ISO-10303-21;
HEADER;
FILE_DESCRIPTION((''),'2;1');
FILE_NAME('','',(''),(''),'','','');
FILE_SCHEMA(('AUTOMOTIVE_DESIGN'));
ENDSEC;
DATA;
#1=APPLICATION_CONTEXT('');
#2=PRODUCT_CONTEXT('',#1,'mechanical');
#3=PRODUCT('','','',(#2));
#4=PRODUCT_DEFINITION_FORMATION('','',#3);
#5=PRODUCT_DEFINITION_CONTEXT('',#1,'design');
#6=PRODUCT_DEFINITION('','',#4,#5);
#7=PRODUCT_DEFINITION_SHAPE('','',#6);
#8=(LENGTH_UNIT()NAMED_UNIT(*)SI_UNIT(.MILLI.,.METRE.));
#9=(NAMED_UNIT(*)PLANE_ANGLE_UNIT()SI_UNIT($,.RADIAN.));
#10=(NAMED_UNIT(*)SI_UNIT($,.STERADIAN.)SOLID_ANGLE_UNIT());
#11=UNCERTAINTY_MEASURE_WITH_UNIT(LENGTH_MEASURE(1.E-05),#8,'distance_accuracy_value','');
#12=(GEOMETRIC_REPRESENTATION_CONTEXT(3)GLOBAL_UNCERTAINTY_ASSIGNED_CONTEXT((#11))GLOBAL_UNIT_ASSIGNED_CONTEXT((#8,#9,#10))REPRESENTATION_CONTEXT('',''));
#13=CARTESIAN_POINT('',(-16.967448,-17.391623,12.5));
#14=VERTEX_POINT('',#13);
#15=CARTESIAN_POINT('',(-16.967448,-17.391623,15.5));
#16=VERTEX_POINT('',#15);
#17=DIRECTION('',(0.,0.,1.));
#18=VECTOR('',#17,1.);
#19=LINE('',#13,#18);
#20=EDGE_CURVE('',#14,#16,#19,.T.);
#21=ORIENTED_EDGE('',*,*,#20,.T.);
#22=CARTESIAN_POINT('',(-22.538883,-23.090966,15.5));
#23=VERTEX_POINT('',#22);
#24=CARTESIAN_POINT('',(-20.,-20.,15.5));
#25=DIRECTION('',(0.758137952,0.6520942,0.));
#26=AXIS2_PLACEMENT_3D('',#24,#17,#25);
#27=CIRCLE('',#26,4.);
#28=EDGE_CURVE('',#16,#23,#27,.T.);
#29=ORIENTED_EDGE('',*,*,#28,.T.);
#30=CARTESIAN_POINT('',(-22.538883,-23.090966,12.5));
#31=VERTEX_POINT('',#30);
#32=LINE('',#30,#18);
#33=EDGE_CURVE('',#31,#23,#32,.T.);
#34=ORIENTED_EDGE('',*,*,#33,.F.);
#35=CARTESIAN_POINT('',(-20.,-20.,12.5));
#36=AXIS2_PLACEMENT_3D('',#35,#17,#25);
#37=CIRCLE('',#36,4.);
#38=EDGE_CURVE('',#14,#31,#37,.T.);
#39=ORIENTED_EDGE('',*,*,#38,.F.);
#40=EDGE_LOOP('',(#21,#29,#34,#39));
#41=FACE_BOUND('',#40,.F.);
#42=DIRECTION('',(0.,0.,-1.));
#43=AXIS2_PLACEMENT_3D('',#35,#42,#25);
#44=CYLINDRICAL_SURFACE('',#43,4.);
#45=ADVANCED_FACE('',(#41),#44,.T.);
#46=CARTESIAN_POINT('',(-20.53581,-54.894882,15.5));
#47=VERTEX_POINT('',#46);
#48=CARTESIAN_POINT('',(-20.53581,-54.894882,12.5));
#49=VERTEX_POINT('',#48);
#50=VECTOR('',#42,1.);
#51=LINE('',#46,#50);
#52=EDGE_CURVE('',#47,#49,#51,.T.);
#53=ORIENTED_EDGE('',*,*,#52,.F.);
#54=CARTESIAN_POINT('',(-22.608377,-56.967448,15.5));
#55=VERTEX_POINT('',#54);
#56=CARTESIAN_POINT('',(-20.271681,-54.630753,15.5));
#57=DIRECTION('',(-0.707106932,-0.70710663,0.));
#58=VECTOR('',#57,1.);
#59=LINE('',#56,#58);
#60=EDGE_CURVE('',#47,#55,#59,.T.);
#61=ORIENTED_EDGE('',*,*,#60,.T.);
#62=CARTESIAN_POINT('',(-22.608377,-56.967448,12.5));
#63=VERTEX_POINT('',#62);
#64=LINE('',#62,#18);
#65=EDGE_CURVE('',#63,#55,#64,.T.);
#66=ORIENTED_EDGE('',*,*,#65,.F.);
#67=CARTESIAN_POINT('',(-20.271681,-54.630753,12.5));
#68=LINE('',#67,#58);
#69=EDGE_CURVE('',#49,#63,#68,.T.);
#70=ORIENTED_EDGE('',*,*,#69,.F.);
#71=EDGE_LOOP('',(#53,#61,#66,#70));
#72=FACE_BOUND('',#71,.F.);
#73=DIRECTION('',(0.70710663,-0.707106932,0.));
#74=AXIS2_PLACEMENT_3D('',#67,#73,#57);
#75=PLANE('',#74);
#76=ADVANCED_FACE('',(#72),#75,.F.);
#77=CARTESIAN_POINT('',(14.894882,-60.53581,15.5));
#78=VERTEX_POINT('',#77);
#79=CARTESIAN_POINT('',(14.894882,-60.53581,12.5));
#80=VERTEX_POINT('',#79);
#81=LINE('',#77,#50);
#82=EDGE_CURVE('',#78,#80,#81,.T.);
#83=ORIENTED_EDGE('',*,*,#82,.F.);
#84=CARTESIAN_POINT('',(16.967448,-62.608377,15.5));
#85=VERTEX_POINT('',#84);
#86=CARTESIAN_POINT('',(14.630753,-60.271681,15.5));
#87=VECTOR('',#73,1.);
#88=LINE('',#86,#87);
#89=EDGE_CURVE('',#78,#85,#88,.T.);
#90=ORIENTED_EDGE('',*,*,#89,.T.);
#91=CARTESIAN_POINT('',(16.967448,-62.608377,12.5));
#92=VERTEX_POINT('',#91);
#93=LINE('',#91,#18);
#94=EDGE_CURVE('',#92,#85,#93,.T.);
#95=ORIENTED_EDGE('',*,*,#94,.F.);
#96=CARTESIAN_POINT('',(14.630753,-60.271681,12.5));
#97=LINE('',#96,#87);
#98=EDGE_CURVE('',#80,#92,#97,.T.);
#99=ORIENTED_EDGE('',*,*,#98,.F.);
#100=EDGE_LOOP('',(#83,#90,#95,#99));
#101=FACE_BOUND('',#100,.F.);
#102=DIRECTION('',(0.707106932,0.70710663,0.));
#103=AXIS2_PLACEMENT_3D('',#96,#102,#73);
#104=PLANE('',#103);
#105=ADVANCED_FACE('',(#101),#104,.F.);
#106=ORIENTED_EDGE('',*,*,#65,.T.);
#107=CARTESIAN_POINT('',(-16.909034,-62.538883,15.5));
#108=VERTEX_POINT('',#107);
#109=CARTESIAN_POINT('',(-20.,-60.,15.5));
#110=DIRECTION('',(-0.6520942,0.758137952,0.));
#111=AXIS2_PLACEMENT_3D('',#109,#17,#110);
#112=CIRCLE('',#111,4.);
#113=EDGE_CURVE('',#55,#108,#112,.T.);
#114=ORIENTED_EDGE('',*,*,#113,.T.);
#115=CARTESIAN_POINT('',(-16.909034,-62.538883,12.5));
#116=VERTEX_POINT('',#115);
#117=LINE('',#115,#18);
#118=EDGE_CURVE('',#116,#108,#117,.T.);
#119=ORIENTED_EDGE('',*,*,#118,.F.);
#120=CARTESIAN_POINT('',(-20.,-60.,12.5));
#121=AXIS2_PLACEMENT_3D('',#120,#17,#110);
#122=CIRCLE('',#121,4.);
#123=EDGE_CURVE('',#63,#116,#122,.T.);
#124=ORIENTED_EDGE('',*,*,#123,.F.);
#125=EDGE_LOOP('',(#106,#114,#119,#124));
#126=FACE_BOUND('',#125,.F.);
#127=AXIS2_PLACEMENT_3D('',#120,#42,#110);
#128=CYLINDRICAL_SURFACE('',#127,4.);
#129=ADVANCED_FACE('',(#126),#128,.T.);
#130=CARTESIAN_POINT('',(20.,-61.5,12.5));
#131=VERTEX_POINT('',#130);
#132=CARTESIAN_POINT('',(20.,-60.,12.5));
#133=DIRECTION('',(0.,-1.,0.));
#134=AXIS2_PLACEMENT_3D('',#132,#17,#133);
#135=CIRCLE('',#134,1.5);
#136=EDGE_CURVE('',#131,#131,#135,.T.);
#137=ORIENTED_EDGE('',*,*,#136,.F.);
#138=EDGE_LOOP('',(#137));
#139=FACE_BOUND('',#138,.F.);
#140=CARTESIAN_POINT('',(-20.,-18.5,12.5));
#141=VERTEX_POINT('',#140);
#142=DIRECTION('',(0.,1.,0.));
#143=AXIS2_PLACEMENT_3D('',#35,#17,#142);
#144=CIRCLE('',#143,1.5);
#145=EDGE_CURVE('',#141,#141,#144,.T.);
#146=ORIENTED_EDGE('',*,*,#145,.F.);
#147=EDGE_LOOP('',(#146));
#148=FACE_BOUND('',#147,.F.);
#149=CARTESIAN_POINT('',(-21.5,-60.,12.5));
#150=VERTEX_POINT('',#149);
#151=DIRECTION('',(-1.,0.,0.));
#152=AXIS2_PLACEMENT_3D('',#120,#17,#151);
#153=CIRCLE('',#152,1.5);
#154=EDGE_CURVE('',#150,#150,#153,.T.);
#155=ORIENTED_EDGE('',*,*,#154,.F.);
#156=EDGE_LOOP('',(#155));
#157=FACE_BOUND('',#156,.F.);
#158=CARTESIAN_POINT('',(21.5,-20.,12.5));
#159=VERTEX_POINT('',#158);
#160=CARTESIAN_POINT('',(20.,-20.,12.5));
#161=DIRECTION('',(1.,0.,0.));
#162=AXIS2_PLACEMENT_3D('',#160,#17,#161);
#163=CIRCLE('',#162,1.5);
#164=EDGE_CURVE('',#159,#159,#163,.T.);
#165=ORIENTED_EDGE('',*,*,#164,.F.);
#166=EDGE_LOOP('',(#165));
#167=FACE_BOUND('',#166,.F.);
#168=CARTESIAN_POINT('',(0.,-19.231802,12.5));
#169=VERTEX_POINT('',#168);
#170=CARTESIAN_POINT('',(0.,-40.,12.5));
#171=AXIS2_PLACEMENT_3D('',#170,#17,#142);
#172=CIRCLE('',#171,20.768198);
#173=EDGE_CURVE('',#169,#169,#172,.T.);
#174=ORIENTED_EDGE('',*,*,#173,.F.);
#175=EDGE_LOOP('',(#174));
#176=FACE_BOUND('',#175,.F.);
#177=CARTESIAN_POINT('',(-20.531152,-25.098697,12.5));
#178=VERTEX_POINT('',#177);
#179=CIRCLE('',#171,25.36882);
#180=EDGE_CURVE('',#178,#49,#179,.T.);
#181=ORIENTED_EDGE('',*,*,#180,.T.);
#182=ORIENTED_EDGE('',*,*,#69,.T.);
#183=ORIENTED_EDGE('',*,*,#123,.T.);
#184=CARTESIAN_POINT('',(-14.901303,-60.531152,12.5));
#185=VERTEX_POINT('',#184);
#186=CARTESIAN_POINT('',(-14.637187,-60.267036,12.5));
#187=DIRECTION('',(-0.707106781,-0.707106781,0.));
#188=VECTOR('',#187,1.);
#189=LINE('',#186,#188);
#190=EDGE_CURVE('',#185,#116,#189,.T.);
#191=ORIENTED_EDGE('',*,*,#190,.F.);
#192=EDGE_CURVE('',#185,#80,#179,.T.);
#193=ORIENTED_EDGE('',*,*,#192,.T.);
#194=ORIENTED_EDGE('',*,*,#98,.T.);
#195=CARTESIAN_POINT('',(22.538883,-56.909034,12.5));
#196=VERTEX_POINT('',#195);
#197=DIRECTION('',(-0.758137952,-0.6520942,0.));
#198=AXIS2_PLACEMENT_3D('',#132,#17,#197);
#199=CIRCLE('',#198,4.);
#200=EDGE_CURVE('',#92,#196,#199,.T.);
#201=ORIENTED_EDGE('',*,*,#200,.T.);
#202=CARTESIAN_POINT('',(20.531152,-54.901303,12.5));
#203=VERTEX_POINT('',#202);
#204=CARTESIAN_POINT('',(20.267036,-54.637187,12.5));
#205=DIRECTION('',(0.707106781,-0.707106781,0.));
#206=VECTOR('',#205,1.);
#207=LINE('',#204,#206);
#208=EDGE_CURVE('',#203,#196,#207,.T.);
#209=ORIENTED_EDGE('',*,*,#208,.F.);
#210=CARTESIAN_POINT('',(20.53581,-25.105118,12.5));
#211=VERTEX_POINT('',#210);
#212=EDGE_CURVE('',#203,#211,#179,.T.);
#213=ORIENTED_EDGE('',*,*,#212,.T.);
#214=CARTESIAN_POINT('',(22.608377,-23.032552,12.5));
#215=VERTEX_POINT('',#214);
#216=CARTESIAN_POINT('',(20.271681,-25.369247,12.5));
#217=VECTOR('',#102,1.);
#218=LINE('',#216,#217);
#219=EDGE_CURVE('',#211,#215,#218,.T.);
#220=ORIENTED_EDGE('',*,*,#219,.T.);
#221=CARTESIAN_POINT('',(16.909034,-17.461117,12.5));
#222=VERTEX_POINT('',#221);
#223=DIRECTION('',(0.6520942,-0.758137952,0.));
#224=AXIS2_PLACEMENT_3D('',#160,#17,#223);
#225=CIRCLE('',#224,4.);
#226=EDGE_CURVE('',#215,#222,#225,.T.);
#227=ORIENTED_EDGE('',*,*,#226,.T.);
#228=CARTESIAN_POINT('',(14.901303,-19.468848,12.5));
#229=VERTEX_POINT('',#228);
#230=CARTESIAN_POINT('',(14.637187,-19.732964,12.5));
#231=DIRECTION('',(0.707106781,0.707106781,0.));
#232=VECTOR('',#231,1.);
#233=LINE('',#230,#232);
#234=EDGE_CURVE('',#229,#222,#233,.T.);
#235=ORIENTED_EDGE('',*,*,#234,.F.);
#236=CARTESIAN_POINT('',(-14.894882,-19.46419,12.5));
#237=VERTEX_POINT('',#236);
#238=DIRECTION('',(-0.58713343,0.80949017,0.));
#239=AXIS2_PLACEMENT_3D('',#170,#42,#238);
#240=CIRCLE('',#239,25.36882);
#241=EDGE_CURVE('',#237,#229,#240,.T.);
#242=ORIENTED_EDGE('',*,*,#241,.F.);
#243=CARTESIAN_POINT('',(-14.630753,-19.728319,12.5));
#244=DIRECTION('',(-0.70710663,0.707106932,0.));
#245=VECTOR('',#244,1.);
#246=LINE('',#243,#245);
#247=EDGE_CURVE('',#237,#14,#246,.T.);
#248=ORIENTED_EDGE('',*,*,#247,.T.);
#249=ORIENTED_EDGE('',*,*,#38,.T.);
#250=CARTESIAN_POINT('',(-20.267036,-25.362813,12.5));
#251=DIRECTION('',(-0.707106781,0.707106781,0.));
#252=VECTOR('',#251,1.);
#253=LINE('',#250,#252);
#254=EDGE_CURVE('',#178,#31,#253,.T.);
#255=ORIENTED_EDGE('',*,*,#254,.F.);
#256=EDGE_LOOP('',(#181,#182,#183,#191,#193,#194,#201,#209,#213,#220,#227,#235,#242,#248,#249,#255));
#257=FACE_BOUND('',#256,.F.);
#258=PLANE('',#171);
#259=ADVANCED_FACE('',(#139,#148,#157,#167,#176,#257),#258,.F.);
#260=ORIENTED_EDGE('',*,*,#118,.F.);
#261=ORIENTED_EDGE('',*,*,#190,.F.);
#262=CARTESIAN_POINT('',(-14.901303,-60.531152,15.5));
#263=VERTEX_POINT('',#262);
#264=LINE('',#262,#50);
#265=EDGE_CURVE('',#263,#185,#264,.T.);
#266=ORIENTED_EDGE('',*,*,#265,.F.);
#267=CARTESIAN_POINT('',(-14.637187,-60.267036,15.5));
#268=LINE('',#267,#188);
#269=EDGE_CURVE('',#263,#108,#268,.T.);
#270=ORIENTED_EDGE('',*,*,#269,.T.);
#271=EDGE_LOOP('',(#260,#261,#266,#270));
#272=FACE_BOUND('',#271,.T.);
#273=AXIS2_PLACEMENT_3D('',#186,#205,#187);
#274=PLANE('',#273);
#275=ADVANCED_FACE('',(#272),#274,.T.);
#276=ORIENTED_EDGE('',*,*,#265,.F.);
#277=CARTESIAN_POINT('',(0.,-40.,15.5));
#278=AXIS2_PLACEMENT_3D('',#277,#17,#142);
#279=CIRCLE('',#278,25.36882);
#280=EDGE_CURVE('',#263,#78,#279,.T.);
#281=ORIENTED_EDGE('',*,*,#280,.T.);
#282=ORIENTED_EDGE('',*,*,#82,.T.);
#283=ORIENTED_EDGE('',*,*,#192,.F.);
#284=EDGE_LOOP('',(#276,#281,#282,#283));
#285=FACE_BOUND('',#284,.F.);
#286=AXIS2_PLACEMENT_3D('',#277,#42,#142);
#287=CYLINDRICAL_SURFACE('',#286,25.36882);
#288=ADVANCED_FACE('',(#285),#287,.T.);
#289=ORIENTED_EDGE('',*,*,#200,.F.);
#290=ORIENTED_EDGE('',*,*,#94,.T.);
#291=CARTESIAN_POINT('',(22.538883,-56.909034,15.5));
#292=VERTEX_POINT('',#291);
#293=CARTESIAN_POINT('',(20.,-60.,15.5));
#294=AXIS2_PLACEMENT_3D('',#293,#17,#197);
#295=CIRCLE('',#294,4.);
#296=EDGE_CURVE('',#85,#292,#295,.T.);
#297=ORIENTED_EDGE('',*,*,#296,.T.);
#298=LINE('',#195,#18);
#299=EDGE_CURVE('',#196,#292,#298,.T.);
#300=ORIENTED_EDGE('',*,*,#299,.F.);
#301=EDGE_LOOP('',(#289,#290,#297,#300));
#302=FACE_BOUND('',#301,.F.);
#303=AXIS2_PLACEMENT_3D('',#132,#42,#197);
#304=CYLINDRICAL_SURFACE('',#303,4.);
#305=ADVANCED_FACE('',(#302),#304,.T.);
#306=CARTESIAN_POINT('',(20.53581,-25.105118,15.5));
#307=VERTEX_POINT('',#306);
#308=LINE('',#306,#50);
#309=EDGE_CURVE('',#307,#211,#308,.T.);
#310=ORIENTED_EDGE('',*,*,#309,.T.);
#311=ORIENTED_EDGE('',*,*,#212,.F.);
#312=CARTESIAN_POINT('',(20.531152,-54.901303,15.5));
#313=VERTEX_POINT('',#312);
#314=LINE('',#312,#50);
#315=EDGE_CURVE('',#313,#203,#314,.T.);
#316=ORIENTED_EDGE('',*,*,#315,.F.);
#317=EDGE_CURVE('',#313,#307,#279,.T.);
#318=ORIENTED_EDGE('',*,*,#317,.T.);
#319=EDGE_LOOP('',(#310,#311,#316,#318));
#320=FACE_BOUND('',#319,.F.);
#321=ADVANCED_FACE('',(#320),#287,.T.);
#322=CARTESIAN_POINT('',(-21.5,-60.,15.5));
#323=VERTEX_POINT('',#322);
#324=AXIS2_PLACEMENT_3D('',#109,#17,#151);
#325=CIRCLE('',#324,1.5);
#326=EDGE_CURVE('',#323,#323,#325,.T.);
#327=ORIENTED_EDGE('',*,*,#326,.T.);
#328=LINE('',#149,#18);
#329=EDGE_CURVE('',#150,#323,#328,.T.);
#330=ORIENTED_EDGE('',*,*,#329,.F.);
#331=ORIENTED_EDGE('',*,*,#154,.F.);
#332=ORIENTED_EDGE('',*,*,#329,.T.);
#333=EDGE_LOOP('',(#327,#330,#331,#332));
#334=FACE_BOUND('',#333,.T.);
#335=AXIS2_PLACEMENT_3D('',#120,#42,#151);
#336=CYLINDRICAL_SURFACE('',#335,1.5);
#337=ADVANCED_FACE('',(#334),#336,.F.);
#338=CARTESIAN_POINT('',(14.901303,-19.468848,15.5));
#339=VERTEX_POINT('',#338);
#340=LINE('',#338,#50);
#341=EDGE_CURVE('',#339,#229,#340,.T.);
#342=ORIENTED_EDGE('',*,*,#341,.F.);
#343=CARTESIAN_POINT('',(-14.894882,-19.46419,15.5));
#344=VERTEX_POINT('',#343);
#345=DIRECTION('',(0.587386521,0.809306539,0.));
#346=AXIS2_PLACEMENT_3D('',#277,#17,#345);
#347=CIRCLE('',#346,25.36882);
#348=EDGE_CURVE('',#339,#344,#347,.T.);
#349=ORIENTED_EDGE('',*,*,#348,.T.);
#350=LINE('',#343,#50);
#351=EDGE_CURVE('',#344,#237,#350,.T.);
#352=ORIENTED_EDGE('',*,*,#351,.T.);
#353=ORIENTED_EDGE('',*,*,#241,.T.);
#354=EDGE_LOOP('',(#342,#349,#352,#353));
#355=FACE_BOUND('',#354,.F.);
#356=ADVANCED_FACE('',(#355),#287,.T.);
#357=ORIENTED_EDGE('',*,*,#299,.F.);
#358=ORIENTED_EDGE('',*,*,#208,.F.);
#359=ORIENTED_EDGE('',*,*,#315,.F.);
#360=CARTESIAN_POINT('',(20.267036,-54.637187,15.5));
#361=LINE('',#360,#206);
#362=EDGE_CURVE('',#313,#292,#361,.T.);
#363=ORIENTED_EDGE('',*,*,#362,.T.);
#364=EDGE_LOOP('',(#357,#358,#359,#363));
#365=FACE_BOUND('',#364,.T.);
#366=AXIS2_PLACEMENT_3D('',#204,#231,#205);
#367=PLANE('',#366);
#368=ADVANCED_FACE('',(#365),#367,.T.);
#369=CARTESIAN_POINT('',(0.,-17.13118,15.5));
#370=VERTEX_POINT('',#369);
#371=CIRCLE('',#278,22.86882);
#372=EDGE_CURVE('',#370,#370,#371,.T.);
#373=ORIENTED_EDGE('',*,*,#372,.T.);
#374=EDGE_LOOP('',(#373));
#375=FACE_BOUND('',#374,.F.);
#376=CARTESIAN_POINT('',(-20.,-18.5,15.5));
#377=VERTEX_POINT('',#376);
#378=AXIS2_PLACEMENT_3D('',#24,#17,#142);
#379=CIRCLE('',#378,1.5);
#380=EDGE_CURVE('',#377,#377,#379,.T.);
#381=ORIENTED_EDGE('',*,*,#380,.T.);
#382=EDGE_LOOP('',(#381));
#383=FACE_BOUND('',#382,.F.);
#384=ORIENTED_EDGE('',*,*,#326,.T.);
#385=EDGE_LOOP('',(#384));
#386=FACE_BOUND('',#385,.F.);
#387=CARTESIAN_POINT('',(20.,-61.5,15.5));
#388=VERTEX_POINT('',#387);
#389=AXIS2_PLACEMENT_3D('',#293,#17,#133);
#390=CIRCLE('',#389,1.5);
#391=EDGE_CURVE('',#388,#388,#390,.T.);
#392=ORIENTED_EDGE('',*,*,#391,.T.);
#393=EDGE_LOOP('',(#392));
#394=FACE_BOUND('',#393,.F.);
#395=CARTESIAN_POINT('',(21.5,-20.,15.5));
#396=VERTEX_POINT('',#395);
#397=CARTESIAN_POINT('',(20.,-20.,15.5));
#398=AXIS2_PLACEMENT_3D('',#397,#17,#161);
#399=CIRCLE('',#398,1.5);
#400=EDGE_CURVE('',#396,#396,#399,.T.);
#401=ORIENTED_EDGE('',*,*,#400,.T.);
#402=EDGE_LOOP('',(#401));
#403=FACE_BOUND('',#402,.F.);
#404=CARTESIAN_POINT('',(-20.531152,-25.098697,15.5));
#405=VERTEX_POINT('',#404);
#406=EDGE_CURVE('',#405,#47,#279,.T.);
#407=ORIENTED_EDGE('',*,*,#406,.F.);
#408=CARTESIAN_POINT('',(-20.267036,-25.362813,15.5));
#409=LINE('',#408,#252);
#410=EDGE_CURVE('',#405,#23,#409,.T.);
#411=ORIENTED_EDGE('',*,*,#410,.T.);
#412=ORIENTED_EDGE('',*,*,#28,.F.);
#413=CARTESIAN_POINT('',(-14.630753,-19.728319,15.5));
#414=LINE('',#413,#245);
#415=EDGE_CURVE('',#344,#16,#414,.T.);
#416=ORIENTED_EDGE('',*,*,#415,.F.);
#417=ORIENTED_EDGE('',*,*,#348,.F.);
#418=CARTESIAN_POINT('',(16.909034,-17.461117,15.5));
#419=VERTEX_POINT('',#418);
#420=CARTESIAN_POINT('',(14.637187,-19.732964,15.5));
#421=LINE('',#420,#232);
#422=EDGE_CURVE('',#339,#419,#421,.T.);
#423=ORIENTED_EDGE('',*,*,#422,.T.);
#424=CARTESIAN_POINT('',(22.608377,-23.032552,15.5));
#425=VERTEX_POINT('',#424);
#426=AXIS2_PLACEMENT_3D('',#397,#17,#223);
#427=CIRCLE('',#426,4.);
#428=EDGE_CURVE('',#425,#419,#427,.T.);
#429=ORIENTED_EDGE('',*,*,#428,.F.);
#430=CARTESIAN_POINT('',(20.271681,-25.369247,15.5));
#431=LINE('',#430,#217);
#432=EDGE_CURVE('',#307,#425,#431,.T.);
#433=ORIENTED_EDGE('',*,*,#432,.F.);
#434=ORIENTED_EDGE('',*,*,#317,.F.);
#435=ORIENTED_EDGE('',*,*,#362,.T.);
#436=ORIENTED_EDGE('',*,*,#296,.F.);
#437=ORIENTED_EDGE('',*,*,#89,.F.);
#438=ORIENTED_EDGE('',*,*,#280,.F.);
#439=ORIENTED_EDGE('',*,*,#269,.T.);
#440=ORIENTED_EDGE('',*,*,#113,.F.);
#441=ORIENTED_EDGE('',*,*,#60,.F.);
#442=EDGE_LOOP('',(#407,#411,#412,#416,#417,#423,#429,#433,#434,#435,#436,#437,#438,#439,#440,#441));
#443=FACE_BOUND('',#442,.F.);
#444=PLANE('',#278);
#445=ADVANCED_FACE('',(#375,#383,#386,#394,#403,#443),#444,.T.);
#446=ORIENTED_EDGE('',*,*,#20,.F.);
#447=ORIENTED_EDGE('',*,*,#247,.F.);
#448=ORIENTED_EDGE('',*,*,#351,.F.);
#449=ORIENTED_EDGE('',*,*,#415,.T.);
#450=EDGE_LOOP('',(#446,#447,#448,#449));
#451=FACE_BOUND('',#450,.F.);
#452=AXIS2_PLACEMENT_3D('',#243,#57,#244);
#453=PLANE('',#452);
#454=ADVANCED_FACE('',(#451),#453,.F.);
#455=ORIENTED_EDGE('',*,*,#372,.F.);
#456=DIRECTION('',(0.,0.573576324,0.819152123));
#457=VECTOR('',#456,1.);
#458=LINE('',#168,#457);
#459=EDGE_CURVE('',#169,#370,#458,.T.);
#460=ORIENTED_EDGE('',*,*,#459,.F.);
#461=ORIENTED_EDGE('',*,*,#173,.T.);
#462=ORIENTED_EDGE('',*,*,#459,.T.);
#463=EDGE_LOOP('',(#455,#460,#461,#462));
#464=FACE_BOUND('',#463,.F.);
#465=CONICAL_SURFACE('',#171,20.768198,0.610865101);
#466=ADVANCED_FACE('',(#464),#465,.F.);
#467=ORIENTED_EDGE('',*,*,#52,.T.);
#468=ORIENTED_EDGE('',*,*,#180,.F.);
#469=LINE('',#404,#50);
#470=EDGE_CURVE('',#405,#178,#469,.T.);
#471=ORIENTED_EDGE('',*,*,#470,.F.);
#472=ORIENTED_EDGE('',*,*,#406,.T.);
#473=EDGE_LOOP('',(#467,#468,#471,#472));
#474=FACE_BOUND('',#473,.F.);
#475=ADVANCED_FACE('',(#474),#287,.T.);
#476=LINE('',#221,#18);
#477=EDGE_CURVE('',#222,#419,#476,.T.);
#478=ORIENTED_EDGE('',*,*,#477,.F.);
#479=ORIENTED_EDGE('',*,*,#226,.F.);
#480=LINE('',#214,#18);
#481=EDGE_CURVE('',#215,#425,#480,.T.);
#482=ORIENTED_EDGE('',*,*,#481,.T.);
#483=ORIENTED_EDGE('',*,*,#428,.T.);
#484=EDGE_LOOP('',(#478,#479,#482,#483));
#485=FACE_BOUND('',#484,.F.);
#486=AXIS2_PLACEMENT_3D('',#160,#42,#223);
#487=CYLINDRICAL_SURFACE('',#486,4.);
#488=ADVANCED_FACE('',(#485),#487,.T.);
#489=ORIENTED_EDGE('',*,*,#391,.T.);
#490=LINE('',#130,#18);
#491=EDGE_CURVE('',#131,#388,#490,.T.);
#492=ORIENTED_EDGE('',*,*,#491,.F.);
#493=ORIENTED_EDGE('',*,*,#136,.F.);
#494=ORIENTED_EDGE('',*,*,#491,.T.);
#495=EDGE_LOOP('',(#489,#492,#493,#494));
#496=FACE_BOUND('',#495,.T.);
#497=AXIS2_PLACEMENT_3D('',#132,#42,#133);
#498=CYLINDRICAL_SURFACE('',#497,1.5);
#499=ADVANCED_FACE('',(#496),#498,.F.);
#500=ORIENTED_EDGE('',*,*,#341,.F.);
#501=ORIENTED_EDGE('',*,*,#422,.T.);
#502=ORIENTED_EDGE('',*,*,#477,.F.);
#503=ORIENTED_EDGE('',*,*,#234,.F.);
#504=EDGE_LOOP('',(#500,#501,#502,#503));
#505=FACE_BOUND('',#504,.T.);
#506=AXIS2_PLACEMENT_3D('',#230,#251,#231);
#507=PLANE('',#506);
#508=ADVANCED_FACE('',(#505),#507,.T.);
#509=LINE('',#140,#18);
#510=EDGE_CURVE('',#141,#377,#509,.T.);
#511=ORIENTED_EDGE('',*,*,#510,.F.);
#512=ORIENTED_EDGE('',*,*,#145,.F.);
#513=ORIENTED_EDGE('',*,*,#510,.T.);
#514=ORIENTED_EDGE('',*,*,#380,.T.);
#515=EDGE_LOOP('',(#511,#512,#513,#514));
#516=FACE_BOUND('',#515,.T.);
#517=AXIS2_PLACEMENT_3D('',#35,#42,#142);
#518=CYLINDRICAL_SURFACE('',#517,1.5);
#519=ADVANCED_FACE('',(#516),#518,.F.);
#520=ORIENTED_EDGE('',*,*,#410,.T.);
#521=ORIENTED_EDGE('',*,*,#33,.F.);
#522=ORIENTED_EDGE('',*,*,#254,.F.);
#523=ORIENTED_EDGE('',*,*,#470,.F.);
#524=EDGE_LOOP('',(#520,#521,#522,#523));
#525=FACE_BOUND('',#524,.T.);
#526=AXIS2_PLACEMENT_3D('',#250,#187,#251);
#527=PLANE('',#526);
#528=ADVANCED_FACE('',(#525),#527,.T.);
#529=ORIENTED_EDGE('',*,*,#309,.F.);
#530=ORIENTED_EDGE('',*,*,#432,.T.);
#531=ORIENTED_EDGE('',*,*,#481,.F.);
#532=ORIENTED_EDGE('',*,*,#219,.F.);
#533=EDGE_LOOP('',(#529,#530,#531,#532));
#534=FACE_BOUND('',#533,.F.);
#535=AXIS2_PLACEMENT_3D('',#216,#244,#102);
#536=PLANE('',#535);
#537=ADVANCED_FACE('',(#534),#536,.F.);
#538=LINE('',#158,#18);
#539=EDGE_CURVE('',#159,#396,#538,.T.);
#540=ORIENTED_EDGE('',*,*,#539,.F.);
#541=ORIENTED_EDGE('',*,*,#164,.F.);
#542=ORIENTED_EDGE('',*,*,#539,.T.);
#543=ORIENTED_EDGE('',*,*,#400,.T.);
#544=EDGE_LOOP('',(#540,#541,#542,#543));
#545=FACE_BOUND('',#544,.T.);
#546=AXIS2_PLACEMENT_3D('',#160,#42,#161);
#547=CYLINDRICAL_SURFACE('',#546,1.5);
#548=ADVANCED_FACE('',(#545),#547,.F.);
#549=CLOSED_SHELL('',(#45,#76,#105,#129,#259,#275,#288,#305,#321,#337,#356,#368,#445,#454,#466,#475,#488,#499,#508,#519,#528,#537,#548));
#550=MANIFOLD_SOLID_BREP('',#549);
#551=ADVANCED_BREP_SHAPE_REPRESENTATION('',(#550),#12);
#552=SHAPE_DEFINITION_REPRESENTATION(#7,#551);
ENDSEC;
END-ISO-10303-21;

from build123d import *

# Parameters (mm, degrees)
SKETCH005_R = 1.5
PAD_DEPTH   = 3
ARRAY_COUNT = 4


with BuildPart() as revolution001:
    # Sketch004 → Revolution001 (revolve)
    with BuildSketch(Plane(origin=(0, 0, 16), x_dir=(0, 1, 0), z_dir=(1, 0, 0))):
        Polygon((20.768198, -1.5), (22.86882, 1.5), (25.36882, 1.5), (25.36882, -1.5), align=None)
    revolve(axis=Axis((0, 0, 16), (0, 0, 1)))


with BuildPart() as fusion:
    # Sketch005 → Pad (new body)
    with BuildSketch(Plane.XY.offset(14.5)):
        with BuildLine():
            ThreePointArc((20.271681, 14.630753), (17.680475, 17.674864), (14.637187, 20.267036))
            Line((14.637187, 20.267036), (16.909034, 22.538883))
            ThreePointArc((22.608377, 16.967448), (22.796148, 22.860342), (16.909034, 22.538883))
            Line((20.271681, 14.630753), (22.608377, 16.967448))
        make_face()
        with Locations((20, 20)):
            Circle(SKETCH005_R, mode=Mode.SUBTRACT)
    extrude(amount=PAD_DEPTH)

    # Array: Fusion ×4 about axis
    array_axis = Axis((0, 0, 1), (0, 0, 1))


with BuildPart() as fusion_1:
    add(fusion.part)
    for i in range(1, ARRAY_COUNT):
        add(fusion.part.rotate(array_axis, i * 360 / ARRAY_COUNT))

    # Fusion: union Revolution001
    add(revolution001.part)


with BuildPart() as fusion_2:
    # Fusion placement: moved
    add(fusion_1.part.moved(Location((0, -40, -2))))


solid = fusion_2.part
